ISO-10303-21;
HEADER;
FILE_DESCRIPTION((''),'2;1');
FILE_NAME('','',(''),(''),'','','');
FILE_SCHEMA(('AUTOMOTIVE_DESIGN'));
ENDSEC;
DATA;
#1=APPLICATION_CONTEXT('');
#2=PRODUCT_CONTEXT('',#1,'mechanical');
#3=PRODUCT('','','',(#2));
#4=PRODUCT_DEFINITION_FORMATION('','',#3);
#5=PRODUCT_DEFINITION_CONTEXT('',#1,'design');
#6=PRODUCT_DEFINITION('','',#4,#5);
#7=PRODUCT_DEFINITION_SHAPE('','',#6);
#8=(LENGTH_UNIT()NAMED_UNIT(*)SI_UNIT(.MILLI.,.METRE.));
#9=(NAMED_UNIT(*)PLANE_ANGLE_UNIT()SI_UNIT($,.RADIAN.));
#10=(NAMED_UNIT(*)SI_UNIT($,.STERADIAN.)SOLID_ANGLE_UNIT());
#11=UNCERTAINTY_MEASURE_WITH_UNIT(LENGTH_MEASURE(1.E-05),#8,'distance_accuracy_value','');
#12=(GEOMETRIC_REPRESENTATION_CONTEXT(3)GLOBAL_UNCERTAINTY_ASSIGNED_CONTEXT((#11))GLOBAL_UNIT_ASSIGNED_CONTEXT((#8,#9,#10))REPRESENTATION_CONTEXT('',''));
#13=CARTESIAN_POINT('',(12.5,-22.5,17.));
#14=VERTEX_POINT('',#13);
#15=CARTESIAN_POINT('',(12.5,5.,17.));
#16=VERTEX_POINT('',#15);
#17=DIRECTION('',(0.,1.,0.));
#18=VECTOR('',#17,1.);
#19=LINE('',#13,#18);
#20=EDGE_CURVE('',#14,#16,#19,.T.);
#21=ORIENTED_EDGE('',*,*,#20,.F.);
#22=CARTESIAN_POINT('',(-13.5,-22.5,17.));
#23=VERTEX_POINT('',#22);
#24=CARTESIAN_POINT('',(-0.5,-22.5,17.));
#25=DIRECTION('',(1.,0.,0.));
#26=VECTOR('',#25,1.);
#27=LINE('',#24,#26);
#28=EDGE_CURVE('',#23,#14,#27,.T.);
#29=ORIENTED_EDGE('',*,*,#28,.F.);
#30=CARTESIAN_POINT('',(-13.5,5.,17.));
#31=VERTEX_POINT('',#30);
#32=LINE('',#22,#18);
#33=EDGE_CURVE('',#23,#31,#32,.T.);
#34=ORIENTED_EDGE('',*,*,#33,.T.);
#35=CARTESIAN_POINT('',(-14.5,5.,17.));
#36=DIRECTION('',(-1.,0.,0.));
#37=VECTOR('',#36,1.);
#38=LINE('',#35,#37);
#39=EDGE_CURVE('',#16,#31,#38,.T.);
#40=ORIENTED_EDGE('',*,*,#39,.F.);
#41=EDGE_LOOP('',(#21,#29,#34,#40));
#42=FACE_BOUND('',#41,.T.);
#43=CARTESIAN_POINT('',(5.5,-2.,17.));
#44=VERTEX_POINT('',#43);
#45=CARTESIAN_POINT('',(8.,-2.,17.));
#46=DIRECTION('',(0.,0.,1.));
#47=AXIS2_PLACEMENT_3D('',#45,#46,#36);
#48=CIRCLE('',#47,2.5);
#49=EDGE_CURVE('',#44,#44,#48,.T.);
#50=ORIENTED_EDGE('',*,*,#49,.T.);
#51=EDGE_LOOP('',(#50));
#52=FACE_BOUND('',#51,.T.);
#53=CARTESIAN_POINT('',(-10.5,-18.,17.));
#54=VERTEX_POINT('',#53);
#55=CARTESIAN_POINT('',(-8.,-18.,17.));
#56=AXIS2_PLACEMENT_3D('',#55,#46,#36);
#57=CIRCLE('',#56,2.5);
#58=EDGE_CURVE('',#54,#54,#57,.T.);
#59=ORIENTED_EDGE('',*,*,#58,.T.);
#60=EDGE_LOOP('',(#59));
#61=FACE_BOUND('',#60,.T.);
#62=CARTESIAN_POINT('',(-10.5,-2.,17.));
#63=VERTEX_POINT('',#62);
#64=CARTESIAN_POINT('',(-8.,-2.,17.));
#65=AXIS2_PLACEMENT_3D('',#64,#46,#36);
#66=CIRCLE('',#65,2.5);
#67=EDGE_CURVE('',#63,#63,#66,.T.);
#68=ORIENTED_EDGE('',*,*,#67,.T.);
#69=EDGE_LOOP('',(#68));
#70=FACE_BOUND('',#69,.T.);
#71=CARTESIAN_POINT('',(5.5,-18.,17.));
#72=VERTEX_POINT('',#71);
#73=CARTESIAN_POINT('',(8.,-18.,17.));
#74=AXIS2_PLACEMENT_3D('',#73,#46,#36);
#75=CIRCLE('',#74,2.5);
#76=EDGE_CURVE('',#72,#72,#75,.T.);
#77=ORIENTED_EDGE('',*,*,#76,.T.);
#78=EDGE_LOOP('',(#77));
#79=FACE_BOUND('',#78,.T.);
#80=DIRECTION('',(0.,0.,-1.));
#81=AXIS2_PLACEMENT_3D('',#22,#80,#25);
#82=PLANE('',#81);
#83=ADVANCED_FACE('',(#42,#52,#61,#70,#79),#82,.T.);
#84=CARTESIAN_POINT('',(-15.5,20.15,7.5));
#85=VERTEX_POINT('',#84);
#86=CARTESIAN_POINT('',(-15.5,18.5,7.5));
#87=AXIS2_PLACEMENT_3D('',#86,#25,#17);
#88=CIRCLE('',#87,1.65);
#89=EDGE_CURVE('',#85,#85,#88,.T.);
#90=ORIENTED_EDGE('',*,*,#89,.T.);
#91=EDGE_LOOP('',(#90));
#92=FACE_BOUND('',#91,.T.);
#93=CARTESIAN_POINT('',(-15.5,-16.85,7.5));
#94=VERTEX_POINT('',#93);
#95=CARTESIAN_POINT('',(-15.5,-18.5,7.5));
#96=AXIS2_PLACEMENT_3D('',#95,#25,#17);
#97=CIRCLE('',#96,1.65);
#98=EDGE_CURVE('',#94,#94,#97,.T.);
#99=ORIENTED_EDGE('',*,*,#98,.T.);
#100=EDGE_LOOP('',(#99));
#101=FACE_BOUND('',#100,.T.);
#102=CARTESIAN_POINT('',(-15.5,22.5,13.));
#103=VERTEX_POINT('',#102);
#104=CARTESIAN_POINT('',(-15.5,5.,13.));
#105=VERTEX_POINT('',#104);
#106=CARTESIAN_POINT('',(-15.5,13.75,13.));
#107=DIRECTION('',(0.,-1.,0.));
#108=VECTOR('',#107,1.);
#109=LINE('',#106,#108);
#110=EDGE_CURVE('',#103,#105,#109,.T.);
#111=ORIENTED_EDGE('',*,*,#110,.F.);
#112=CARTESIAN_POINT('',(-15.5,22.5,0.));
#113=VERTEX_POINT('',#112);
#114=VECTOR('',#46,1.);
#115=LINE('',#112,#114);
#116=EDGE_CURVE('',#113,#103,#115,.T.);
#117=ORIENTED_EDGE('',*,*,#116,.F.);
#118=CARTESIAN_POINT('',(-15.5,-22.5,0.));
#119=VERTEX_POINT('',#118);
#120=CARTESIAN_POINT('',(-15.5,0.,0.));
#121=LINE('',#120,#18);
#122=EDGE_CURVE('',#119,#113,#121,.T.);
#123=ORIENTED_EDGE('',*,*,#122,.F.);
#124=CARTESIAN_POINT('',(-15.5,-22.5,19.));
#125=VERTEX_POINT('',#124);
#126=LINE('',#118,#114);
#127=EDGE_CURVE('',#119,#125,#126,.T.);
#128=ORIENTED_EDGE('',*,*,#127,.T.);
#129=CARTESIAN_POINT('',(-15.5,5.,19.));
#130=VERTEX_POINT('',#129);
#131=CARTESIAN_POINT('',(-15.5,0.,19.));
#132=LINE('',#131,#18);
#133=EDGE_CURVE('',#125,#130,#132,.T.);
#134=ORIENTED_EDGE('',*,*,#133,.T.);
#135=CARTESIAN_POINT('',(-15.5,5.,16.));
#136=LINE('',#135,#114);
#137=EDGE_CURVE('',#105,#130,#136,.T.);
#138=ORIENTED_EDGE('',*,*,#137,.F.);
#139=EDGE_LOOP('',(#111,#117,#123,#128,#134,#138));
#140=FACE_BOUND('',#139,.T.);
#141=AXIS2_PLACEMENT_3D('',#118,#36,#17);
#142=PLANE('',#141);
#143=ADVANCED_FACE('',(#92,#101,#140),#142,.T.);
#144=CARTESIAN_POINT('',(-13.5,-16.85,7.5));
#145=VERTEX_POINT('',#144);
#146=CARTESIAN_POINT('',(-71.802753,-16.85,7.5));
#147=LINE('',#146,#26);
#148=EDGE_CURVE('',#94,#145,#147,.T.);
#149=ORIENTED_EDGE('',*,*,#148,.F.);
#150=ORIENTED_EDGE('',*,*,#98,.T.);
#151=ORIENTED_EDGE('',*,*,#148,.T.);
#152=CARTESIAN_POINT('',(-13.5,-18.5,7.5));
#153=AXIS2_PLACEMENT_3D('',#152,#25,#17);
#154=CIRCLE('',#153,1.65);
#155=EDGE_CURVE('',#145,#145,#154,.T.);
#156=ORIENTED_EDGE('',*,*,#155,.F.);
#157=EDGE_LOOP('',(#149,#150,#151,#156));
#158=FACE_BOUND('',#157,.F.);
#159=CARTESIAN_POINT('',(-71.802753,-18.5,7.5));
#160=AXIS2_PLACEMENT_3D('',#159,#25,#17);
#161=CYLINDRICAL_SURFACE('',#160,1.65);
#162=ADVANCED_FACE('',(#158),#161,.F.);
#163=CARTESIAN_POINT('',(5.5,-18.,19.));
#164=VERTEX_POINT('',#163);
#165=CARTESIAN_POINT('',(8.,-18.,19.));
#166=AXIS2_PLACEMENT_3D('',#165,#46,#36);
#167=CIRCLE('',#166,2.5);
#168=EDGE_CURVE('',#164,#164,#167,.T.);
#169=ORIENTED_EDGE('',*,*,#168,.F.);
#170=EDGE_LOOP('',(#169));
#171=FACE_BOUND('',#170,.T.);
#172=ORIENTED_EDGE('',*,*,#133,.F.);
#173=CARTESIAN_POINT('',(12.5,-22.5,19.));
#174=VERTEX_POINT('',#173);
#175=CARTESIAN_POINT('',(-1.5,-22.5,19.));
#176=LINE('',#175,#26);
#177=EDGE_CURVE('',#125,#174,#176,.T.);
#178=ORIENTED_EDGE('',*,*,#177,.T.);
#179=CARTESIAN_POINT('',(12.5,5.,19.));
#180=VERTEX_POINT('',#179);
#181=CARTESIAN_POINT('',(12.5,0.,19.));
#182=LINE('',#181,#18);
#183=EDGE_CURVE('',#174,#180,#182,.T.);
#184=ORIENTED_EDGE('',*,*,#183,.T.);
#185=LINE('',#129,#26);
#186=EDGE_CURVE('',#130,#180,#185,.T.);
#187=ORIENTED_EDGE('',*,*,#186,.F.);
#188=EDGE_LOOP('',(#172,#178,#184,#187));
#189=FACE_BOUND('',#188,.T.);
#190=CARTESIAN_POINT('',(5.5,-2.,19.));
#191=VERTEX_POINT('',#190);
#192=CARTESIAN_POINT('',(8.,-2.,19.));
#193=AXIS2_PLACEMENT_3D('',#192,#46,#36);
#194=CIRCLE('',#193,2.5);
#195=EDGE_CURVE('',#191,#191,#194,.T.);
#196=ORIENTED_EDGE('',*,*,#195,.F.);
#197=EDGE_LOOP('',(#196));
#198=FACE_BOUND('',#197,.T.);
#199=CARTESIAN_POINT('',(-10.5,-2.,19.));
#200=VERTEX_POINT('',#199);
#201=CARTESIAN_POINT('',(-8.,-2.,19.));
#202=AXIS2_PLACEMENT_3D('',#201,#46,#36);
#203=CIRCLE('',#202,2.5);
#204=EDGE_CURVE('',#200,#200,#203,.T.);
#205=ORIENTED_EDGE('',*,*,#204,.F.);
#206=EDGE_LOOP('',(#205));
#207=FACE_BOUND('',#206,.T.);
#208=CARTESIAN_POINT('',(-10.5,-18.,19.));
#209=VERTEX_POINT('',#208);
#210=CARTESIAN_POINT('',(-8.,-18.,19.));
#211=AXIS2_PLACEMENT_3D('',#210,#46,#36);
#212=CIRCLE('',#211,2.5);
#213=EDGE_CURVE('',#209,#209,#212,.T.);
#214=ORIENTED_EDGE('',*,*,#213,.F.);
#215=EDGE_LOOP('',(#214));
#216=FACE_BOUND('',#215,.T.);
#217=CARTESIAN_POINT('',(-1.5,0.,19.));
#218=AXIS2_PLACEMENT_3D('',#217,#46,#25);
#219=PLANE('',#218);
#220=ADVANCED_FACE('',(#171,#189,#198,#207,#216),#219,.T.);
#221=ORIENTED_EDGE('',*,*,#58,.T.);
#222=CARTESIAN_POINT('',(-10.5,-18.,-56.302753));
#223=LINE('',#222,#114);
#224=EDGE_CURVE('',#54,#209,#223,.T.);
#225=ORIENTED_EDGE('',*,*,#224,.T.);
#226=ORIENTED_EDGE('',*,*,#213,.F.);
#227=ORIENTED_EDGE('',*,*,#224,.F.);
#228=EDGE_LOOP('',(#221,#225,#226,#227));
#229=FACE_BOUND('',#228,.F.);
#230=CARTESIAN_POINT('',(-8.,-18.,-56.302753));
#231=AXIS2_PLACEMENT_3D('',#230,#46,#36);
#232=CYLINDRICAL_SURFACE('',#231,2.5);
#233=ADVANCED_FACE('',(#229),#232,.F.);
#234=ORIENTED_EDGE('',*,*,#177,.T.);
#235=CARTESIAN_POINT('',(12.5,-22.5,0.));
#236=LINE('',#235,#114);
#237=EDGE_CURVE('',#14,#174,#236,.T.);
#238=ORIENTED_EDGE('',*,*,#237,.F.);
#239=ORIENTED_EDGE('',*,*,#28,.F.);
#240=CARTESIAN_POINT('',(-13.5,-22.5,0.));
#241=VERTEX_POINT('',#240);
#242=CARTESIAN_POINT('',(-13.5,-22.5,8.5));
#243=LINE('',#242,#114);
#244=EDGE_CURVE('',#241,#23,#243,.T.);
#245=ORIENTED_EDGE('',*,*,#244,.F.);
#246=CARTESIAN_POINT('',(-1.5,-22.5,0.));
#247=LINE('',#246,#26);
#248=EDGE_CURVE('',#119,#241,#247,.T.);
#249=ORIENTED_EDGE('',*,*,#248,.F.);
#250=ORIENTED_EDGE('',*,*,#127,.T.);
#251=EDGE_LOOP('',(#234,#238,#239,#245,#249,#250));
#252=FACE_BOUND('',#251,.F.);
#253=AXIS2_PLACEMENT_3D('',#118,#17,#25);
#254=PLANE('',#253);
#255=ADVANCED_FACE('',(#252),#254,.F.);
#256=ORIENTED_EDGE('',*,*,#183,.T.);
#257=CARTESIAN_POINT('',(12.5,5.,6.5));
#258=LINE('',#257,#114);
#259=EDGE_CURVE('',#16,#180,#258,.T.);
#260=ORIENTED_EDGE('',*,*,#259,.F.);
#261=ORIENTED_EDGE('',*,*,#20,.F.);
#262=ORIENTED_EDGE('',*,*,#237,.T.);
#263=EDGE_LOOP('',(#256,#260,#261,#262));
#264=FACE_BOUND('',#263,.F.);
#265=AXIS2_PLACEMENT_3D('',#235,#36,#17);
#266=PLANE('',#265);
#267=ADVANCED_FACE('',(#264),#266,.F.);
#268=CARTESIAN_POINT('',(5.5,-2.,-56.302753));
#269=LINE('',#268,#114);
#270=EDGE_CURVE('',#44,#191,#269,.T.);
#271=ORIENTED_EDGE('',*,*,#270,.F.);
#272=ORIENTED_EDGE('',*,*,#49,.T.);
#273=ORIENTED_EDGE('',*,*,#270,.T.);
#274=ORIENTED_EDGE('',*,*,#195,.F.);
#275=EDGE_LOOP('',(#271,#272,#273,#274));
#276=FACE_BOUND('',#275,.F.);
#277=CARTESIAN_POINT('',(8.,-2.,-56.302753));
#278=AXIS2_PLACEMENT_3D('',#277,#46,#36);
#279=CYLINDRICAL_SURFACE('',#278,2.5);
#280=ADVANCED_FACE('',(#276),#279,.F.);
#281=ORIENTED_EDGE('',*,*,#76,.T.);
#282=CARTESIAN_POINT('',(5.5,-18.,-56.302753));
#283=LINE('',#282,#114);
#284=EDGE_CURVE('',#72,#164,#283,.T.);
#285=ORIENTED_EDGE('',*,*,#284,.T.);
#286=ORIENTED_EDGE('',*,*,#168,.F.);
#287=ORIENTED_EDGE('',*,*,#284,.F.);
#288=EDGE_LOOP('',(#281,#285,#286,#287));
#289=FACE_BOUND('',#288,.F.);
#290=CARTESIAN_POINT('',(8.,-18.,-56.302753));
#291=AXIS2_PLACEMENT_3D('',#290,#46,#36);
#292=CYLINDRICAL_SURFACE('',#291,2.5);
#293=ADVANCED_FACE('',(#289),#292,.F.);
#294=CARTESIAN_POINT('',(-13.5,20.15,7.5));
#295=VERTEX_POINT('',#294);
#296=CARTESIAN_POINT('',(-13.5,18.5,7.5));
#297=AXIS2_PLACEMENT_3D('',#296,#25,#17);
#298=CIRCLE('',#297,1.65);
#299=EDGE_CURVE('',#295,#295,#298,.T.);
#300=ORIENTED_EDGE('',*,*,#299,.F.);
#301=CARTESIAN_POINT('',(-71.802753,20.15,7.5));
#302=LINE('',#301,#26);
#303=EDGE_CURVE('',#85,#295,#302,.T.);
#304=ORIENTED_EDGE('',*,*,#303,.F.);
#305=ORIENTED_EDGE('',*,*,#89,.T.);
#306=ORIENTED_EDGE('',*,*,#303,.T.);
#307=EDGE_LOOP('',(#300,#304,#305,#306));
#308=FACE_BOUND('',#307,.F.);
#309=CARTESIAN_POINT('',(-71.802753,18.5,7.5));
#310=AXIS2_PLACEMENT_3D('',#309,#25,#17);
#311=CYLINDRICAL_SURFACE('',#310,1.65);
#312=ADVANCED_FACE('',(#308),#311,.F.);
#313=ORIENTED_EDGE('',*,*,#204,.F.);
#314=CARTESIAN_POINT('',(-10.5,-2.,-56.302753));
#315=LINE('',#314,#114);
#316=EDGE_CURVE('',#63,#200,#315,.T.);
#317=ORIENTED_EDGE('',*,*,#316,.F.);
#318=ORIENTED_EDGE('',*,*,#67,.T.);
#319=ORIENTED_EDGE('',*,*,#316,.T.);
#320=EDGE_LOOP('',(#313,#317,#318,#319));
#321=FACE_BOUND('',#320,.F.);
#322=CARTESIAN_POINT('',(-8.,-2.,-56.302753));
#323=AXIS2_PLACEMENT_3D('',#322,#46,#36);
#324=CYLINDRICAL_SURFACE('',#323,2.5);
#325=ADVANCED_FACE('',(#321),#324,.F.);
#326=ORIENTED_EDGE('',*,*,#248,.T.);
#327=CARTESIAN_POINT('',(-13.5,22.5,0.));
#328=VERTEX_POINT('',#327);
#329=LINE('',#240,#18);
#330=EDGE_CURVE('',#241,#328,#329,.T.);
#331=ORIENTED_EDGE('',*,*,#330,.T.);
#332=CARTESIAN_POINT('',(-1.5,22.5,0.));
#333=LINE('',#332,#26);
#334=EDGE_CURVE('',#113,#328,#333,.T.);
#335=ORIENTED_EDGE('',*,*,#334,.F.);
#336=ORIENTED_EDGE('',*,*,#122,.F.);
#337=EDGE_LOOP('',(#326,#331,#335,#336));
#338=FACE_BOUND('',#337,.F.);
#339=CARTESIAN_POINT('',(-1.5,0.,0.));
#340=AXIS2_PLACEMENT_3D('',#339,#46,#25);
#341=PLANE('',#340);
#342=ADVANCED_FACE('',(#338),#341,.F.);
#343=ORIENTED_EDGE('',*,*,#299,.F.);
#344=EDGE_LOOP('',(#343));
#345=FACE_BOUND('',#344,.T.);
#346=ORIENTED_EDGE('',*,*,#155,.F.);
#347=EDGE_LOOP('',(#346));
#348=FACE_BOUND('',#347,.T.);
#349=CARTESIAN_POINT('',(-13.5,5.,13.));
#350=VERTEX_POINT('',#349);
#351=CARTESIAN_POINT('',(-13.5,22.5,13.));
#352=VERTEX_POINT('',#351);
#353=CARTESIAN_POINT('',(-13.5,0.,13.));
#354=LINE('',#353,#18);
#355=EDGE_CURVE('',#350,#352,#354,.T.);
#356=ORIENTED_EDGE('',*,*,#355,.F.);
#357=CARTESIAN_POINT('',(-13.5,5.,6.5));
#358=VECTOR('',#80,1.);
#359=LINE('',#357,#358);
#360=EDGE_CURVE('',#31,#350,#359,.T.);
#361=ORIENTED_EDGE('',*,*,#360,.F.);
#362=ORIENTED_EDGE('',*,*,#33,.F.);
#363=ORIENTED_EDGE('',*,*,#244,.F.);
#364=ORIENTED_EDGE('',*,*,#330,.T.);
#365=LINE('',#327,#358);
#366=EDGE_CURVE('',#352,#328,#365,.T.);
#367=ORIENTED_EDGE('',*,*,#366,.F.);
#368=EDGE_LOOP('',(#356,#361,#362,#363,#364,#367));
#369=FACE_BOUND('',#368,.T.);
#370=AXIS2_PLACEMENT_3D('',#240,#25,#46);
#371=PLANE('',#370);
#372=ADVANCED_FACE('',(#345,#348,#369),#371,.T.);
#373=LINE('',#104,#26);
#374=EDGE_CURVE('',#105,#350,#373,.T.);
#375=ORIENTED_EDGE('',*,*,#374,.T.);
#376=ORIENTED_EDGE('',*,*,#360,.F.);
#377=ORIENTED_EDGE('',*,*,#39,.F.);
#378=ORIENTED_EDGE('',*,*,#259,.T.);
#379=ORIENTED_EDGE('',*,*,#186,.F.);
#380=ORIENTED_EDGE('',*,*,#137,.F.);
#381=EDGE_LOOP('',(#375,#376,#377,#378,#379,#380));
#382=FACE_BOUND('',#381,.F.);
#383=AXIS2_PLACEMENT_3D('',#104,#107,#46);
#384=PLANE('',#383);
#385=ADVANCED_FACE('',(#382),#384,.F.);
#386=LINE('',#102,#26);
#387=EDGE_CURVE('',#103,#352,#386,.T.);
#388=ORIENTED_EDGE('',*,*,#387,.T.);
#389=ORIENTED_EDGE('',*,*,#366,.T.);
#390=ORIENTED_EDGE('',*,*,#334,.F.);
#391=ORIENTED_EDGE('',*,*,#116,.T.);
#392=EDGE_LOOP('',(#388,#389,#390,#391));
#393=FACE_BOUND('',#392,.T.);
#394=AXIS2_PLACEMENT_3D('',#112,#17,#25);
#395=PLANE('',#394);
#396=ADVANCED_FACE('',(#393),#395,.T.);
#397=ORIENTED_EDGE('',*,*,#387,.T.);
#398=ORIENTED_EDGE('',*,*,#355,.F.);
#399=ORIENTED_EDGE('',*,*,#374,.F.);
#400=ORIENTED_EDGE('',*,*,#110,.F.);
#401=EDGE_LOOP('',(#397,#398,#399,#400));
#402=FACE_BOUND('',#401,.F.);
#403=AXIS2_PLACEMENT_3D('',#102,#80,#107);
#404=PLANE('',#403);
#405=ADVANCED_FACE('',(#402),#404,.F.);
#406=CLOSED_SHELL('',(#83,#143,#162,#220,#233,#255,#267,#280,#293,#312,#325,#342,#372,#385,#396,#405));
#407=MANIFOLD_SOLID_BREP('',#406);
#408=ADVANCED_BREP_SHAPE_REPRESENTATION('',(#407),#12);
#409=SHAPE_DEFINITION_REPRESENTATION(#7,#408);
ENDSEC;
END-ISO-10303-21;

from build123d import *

# Parameters (mm, degrees)
F0_W     = 28
F0_H     = 45
F1_DEPTH = 19
F2_D     = 5
F3_W     = 26
F3_H     = 17
F4_DEPTH = 45.001
F6_D     = 3.3
F7_W     = 17.5
F7_H     = 6
F8_DEPTH = 28.001


with BuildPart() as f1:
    # F0 (on Top) → F1 (new body)
    with BuildSketch(Plane.XY):
        with Locations((-1.5, 0)):
            Rectangle(F0_W, F0_H)
    extrude(amount=F1_DEPTH)

    # F2 (through all)
    with Locations(Plane(origin=(0, 0, 0), x_dir=(1, 0, 0), z_dir=(0, 0, -1))):
        with Locations((8, 2), (-8, 2), (-8, 18), (8, 18)):
            Hole(F2_D / 2)

    # F3 (on face) → F4 (cut, through all)
    with BuildSketch(Plane.XZ.offset(22.5)):
        with Locations((-0.5, 8.5)):
            Rectangle(F3_W, F3_H)
    extrude(amount=-F4_DEPTH, mode=Mode.SUBTRACT)

    # F6 (through all)
    with Locations(Plane(origin=(-15.5, 0, 0), x_dir=(0, -1, 0), z_dir=(-1, 0, 0))):
        with Locations((-18.5, 7.5), (18.5, 7.5)):
            Hole(F6_D / 2)

    # F7 (on face) → F8 (cut, through all)
    with BuildSketch(Plane(origin=(-15.5, 0, 0), x_dir=(0, -1, 0), z_dir=(-1, 0, 0))):
        with Locations((-13.75, 16)):
            Rectangle(F7_W, F7_H)
    extrude(amount=-F8_DEPTH, mode=Mode.SUBTRACT)


solid = f1.part
